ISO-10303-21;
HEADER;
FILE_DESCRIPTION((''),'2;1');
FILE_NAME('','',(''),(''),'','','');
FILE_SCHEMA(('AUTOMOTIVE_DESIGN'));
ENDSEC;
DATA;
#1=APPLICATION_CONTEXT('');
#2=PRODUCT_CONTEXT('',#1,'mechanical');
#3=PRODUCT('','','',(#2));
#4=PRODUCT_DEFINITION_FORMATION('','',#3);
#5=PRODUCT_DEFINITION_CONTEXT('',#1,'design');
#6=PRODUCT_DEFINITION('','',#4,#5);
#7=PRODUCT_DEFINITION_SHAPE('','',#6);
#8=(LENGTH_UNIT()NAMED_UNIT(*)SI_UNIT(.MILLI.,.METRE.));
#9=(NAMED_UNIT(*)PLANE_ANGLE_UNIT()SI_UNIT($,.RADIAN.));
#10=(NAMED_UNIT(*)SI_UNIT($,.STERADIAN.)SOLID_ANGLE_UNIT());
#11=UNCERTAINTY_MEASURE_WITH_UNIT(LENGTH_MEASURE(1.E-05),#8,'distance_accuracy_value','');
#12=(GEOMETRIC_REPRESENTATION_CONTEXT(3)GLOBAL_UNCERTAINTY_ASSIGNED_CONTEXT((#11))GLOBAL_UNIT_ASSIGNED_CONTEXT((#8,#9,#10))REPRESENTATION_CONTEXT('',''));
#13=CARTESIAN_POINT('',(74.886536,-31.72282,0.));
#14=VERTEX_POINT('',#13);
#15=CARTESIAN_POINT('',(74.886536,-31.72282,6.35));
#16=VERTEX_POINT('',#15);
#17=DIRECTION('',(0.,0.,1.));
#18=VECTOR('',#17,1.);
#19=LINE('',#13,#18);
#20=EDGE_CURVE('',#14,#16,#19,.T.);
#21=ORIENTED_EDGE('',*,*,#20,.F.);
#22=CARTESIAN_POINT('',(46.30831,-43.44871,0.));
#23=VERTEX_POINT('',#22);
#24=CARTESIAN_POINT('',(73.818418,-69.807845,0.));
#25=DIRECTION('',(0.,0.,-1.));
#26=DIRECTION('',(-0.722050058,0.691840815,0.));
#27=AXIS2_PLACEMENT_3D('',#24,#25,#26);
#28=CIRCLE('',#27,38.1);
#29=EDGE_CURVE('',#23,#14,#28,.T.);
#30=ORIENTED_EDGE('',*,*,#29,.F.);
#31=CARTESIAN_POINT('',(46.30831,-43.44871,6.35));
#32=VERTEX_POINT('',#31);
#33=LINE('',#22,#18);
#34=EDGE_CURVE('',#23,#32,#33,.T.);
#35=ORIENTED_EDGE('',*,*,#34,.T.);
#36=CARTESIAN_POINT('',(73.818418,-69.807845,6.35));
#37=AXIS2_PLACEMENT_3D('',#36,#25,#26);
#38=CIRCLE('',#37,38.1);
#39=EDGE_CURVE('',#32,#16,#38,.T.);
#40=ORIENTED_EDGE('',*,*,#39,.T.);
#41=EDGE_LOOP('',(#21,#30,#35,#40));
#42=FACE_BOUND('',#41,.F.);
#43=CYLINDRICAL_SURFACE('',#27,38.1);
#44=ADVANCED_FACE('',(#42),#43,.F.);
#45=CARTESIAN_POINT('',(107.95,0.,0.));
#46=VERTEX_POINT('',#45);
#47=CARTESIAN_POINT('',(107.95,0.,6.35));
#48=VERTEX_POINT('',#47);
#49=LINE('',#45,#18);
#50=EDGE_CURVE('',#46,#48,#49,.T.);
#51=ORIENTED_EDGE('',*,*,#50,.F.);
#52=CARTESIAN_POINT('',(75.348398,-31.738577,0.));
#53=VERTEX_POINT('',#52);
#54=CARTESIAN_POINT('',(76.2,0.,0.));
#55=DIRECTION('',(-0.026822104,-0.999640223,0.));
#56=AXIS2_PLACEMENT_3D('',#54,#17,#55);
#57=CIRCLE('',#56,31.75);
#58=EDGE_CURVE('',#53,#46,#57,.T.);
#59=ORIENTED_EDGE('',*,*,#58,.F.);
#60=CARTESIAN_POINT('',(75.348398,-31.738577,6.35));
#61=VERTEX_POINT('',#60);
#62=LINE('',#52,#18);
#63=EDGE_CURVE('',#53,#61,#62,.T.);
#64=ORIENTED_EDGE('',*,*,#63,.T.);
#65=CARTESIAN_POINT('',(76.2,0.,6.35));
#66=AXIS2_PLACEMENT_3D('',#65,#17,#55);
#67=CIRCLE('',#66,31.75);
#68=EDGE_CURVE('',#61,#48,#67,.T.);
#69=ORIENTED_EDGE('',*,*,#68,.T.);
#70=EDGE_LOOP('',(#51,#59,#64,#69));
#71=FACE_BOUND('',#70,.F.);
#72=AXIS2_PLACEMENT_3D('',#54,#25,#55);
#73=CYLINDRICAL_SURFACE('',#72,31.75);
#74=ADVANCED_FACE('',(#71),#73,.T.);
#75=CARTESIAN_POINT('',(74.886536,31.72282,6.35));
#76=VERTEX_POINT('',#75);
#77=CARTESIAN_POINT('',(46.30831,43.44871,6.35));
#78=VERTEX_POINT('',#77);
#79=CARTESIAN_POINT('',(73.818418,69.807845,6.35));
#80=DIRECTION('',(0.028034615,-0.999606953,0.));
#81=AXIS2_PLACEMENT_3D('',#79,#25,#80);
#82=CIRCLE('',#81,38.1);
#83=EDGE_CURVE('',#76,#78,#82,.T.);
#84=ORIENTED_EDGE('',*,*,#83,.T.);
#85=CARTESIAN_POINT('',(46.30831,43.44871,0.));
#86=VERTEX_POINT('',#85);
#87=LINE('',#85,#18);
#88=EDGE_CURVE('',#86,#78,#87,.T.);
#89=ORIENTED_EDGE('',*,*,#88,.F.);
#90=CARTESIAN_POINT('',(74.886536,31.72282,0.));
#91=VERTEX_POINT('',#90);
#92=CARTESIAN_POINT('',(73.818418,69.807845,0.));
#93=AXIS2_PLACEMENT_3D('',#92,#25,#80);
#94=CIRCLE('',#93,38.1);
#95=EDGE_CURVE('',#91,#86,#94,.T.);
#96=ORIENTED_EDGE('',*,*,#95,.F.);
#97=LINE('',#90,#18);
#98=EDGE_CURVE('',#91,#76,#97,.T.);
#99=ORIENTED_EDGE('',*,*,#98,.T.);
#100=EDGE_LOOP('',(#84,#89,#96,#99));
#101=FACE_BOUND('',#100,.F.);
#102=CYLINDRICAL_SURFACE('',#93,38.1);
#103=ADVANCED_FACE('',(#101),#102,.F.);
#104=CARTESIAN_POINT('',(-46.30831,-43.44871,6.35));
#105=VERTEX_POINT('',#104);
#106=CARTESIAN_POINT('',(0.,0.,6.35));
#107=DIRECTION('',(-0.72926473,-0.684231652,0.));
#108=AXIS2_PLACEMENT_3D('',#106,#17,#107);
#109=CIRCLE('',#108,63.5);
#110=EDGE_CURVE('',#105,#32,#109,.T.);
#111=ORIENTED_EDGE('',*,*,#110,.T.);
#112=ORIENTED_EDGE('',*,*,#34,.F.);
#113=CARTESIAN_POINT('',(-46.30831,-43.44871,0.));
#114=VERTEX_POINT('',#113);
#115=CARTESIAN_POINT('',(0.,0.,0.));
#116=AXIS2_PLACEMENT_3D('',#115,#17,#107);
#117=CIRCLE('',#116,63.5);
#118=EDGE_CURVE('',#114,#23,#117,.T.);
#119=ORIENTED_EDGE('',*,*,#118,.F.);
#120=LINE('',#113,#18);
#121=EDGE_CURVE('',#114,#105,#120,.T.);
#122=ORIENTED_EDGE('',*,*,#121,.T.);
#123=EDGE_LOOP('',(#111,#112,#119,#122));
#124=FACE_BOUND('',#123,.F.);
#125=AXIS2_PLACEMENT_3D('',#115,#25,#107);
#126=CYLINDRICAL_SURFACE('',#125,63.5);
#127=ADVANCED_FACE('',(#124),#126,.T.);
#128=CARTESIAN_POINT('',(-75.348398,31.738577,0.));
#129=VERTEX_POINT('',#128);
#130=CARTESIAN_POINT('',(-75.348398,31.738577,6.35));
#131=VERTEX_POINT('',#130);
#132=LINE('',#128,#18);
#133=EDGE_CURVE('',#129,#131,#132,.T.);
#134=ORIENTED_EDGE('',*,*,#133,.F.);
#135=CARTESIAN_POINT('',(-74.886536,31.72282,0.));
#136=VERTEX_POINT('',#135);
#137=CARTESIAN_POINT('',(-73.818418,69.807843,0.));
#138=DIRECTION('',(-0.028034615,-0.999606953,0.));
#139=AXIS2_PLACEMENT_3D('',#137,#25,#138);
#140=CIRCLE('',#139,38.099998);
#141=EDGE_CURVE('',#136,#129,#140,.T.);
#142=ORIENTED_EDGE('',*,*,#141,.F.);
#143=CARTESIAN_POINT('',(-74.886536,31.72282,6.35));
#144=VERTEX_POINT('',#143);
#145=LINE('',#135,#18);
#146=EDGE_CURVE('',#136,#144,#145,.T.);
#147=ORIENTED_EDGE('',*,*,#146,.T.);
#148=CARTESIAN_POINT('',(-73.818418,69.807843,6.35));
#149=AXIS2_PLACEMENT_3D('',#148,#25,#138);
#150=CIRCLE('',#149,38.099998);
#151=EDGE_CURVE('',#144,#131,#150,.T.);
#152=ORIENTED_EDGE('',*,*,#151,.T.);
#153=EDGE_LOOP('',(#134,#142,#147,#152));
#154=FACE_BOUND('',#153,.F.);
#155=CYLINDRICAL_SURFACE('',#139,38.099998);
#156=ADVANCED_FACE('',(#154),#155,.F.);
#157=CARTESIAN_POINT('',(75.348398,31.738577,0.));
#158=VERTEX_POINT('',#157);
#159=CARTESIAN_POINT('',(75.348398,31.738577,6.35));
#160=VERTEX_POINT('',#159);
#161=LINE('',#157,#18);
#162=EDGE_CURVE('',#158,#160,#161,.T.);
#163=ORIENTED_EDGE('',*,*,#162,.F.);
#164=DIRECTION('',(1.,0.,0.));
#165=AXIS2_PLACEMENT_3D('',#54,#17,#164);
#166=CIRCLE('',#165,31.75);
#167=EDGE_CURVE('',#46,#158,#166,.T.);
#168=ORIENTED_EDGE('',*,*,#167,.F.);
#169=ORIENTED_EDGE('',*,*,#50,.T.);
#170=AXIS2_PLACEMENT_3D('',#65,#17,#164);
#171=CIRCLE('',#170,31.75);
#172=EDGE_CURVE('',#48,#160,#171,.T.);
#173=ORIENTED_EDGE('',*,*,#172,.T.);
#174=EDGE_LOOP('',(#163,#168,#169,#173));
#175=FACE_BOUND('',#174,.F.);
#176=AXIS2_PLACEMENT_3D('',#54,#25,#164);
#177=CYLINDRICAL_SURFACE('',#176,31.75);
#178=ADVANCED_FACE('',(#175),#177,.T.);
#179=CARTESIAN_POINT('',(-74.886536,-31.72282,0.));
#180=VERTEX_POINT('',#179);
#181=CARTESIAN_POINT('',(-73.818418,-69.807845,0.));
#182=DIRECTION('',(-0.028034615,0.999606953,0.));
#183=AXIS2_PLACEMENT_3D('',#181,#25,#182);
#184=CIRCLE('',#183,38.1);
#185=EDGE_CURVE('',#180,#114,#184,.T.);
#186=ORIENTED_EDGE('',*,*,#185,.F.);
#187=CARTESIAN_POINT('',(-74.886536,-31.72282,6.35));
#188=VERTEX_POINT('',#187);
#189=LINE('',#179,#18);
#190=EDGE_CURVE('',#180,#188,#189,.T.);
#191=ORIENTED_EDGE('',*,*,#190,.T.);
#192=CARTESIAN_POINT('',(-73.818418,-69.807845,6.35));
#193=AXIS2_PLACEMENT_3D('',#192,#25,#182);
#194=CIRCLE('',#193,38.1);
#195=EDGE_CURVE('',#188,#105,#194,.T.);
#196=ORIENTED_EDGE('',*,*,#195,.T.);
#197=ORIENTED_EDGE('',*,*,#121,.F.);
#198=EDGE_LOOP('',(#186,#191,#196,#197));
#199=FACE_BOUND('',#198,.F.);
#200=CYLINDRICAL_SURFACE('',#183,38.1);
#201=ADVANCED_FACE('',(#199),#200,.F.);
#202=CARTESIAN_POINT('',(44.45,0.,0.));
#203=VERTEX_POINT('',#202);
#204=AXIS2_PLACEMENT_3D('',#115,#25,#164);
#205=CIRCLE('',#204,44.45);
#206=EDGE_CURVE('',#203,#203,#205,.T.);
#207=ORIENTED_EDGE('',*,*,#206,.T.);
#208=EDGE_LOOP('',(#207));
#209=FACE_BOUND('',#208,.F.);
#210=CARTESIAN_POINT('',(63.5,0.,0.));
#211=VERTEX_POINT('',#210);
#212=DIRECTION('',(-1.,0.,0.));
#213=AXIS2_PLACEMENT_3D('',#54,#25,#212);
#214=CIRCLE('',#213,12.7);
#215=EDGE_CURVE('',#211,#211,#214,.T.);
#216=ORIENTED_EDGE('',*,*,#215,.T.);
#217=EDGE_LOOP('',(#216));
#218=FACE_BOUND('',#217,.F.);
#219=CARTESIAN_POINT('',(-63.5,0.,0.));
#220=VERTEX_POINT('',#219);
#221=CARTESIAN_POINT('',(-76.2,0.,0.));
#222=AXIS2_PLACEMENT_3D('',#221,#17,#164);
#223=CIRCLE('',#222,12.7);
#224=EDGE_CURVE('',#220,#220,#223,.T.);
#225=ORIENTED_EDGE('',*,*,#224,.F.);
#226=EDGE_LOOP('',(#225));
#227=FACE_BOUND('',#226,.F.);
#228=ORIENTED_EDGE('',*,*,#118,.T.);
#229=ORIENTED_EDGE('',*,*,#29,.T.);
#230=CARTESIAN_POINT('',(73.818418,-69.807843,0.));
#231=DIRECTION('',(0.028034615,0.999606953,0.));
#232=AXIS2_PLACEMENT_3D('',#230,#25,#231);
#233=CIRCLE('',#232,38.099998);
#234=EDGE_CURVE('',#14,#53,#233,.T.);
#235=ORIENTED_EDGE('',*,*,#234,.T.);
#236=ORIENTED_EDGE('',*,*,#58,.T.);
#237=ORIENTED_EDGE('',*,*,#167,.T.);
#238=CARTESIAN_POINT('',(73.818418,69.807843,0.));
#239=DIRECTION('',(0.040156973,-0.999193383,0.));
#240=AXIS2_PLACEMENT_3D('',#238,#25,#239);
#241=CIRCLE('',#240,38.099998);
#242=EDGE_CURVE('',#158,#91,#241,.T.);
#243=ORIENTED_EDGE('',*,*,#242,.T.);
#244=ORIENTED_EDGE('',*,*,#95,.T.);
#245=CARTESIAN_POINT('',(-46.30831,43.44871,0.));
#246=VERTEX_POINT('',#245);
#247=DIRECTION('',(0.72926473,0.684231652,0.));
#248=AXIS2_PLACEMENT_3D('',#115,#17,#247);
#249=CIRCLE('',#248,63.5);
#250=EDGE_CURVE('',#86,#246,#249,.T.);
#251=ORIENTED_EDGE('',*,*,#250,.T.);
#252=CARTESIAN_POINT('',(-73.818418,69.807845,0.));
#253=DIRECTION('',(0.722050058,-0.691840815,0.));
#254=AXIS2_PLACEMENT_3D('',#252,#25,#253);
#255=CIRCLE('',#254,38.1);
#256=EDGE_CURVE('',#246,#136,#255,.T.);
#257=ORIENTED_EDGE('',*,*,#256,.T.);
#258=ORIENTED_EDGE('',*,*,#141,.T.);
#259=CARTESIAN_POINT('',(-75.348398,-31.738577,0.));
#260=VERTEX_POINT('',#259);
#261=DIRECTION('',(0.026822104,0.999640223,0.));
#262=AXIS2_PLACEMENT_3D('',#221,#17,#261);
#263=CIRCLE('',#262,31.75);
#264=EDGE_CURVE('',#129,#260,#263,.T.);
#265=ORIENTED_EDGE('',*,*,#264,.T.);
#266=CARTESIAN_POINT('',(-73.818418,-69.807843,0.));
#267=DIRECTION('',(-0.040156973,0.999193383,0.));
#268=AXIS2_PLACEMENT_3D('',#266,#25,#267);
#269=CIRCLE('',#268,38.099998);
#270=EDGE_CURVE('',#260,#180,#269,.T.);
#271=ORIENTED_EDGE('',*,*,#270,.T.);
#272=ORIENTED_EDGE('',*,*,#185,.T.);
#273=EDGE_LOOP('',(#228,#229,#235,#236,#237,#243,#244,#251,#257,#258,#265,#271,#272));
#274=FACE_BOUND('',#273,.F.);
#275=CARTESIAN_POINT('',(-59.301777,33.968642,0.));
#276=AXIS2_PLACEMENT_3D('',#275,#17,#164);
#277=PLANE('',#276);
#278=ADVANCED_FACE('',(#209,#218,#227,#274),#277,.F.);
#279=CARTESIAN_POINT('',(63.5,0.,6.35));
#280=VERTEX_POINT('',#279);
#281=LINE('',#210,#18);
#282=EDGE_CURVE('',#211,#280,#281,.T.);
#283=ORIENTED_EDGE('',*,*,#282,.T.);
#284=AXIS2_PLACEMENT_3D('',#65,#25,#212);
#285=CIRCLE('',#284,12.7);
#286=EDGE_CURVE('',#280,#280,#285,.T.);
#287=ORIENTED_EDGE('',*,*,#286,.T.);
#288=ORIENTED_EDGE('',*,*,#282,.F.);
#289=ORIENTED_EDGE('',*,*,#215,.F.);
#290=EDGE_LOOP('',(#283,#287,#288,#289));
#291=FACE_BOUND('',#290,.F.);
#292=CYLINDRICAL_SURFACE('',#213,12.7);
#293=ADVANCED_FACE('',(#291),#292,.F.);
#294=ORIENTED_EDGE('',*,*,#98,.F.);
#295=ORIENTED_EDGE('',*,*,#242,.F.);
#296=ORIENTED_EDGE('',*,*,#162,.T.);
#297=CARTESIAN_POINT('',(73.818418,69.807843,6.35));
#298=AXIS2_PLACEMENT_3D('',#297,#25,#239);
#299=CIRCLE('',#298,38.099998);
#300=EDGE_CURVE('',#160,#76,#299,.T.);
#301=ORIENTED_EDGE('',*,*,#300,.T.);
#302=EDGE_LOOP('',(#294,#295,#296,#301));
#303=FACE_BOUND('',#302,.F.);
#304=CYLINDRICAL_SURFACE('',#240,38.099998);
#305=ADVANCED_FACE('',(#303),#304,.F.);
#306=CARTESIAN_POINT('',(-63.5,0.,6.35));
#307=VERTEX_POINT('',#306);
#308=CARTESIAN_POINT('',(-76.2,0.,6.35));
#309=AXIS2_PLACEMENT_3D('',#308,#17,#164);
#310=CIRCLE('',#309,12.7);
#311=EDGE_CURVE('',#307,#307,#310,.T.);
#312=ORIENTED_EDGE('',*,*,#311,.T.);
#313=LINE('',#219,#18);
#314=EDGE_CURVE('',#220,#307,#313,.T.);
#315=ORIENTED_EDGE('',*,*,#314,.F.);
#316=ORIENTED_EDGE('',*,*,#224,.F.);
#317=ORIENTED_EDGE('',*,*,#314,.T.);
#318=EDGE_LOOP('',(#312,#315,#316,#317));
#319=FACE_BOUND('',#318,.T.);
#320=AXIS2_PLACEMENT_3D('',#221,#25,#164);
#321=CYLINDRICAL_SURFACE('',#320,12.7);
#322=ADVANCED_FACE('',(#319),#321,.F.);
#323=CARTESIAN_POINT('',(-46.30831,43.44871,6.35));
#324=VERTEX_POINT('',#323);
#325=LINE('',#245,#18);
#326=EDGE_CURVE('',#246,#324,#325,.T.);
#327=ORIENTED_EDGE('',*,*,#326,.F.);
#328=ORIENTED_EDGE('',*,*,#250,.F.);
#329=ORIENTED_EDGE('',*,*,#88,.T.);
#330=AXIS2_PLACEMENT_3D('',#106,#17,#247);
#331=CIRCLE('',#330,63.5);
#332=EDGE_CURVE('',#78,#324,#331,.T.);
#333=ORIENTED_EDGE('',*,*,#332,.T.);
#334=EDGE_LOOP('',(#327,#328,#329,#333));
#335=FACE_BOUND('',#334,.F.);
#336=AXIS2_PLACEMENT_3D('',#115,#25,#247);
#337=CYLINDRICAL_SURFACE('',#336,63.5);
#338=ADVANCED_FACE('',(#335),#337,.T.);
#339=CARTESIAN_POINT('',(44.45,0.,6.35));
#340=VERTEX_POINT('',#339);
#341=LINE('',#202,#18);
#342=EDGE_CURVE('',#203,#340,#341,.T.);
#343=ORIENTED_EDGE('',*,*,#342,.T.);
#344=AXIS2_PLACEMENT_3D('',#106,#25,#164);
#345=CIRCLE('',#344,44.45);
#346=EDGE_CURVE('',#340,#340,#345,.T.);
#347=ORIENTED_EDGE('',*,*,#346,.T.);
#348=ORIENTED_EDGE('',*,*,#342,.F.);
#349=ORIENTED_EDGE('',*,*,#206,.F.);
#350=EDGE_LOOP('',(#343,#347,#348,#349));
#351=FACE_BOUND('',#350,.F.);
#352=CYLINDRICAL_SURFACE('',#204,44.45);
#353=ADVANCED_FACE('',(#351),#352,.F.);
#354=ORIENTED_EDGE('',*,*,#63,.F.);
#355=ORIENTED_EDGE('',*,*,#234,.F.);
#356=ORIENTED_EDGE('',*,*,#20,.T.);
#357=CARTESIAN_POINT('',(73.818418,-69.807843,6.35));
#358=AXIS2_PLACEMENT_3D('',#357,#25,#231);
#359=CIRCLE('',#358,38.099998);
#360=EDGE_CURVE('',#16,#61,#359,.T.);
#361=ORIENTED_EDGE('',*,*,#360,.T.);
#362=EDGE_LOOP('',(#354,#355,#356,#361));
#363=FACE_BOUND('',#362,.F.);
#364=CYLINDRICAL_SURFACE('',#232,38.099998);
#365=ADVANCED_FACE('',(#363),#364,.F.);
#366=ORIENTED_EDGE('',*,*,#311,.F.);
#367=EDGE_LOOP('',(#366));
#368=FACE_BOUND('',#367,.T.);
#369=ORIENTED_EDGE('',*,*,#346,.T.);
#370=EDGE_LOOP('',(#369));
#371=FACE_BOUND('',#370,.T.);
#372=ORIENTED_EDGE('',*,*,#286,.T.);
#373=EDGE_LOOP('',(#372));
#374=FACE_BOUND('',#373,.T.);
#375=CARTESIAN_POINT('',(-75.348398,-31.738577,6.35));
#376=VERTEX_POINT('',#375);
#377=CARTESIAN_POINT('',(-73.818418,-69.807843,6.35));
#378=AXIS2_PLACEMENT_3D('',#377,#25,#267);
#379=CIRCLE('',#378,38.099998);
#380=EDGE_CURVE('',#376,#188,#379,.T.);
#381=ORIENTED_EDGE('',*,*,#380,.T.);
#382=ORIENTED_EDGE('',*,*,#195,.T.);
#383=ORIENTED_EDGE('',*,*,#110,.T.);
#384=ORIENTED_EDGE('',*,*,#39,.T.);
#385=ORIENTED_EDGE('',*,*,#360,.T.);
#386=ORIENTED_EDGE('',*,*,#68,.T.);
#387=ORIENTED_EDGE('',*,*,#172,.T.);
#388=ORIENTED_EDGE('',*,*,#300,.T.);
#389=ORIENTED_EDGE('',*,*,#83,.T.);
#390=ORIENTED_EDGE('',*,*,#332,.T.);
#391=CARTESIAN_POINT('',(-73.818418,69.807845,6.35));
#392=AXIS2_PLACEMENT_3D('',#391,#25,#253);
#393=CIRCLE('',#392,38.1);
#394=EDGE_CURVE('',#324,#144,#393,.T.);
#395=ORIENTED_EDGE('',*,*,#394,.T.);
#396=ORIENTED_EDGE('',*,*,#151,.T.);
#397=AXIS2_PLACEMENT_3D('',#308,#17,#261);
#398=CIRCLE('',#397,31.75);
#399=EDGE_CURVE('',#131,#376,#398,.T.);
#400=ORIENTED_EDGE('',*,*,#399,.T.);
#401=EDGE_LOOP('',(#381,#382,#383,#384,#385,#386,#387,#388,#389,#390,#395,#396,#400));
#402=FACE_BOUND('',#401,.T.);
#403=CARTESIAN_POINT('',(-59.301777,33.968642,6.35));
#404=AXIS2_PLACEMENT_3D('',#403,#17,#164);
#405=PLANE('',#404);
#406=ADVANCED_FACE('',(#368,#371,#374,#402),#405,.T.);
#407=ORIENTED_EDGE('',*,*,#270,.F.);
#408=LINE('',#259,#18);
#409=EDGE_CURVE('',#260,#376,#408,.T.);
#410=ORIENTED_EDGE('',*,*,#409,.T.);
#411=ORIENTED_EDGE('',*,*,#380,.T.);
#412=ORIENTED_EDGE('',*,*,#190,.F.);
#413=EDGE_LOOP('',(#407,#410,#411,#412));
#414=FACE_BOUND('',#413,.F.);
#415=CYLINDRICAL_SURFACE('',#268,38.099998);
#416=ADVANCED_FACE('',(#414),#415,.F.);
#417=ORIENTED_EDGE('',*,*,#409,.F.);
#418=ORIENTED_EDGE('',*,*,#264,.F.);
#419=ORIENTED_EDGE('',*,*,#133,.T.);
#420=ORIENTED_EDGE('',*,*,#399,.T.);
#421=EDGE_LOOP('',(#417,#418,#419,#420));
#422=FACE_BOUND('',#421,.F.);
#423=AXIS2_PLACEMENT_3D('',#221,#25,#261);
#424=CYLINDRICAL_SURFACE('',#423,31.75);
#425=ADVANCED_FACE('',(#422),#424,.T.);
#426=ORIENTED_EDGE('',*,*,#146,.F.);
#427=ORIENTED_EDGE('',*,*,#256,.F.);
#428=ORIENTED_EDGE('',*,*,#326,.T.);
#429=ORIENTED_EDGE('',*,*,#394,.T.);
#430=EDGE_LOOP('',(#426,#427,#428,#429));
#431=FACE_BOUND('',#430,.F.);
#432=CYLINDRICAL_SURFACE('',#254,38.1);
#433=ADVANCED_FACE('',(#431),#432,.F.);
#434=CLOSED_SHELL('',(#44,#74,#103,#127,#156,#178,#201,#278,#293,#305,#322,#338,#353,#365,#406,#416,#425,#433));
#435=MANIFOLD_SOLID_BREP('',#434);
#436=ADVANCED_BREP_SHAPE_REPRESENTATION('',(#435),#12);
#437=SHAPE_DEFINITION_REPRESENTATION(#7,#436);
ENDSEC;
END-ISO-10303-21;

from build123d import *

# Parameters (mm, degrees)
F0_R     = 12.7
F1_DEPTH = 6.35


with BuildPart() as f1:
    # F0 (on Top) → F1 (new body)
    with BuildSketch(Plane.XY):
        with BuildLine():
            ThreePointArc((-57.94375, 25.976370723), (-52.8530385151, 35.1966805213), (-46.3083103346, 43.4487099228))
            ThreePointArc((-46.3083103346, 43.4487099228), (-59.3557480022, 34.5595657373), (-74.8865363941, 31.7228200726))
            ThreePointArc((-74.8865363941, 31.7228200726), (-66.002017715, 30.0676513435), (-57.94375, 25.976370723))
        make_face()
        with BuildLine():
            ThreePointArc((-44.45, 0), (-48.024670033, 14.636026826), (-57.94375, 25.976370723))
            ThreePointArc((-57.94375, 25.976370723), (-62.0954029096, 13.2819779212), (-63.5, 0))
            ThreePointArc((-63.5, 0), (-62.0954029096, -13.2819779212), (-57.94375, -25.976370723))
            ThreePointArc((-57.94375, -25.976370723), (-48.024670033, -14.636026826), (-44.45, 0))
        make_face()
        with BuildLine():
            ThreePointArc((-63.5, 0), (-62.0954029096, 13.2819779212), (-57.94375, 25.976370723))
            ThreePointArc((-57.94375, 25.976370723), (-66.002017715, 30.0676513435), (-74.8865363941, 31.7228200726))
            ThreePointArc((-74.8865363941, 31.7228200726), (-75.1174911921, 31.7299983006), (-75.3483982089, 31.7385770694))
            ThreePointArc((-75.3483982089, 31.7385770694), (-107.95, 0), (-75.3483982089, -31.7385770694))
            ThreePointArc((-75.3483982089, -31.7385770694), (-75.1174911921, -31.7299983006), (-74.8865363941, -31.7228200726))
            ThreePointArc((-74.8865363941, -31.7228200726), (-66.002017715, -30.0676513435), (-57.94375, -25.976370723))
            ThreePointArc((-57.94375, -25.976370723), (-62.0954029096, -13.2819779212), (-63.5, 0))
        make_face()
        with Locations((-76.2, 0)):
            Circle(F0_R, mode=Mode.SUBTRACT)
        with BuildLine():
            ThreePointArc((57.94375, -25.976370723), (48.024670033, -14.636026826), (44.45, 0))
            ThreePointArc((44.45, 0), (0, -44.45), (-44.45, 0))
            ThreePointArc((-44.45, 0), (-48.024670033, -14.636026826), (-57.94375, -25.976370723))
            ThreePointArc((-57.94375, -25.976370723), (-52.8530385151, -35.1966805213), (-46.3083103346, -43.4487099228))
            ThreePointArc((-46.3083103346, -43.4487099228), (0, -63.5), (46.3083103346, -43.4487099228))
            ThreePointArc((46.3083103346, -43.4487099228), (52.8530385151, -35.1966805213), (57.94375, -25.976370723))
        make_face()
        with BuildLine():
            ThreePointArc((-46.3083103346, -43.4487099228), (-52.8530385151, -35.1966805213), (-57.94375, -25.976370723))
            ThreePointArc((-57.94375, -25.976370723), (-66.002017715, -30.0676513435), (-74.8865363941, -31.7228200726))
            ThreePointArc((-74.8865363941, -31.7228200726), (-59.3557480022, -34.5595657373), (-46.3083103346, -43.4487099228))
        make_face()
        with BuildLine():
            ThreePointArc((57.94375, 25.976370723), (52.8530385151, 35.1966805213), (46.3083103346, 43.4487099228))
            ThreePointArc((46.3083103346, 43.4487099228), (0, 63.5), (-46.3083103346, 43.4487099228))
            ThreePointArc((-46.3083103346, 43.4487099228), (-52.8530385151, 35.1966805213), (-57.94375, 25.976370723))
            ThreePointArc((-57.94375, 25.976370723), (-48.024670033, 14.636026826), (-44.45, 0))
            ThreePointArc((-44.45, 0), (0, 44.45), (44.45, 0))
            ThreePointArc((44.45, 0), (48.024670033, 14.636026826), (57.94375, 25.976370723))
        make_face()
        with BuildLine():
            ThreePointArc((63.5, 0), (62.0954029096, 13.2819779212), (57.94375, 25.976370723))
            ThreePointArc((57.94375, 25.976370723), (48.024670033, 14.636026826), (44.45, 0))
            ThreePointArc((44.45, 0), (48.024670033, -14.636026826), (57.94375, -25.976370723))
            ThreePointArc((57.94375, -25.976370723), (62.0954029096, -13.2819779212), (63.5, 0))
        make_face()
        with BuildLine():
            ThreePointArc((74.8865363941, 31.7228200726), (66.002017715, 30.0676513435), (57.94375, 25.976370723))
            ThreePointArc((57.94375, 25.976370723), (62.0954029096, 13.2819779212), (63.5, 0))
            ThreePointArc((63.5, 0), (62.0954029096, -13.2819779212), (57.94375, -25.976370723))
            ThreePointArc((57.94375, -25.976370723), (66.002017715, -30.0676513435), (74.8865363941, -31.7228200726))
            ThreePointArc((74.8865363941, -31.7228200726), (75.1174911921, -31.7299983006), (75.3483982089, -31.7385770694))
            ThreePointArc((75.3483982089, -31.7385770694), (98.3475071186, -22.7497346893), (107.95, 0))
            ThreePointArc((107.95, 0), (98.3475071186, 22.7497346893), (75.3483982089, 31.7385770694))
            ThreePointArc((75.3483982089, 31.7385770694), (75.1174911921, 31.7299983006), (74.8865363941, 31.7228200726))
        make_face()
        with BuildLine():
            ThreePointArc((88.9, 0), (76.2, -12.7), (63.5, 0))
            ThreePointArc((63.5, 0), (76.2, 12.7), (88.9, 0))
        make_face(mode=Mode.SUBTRACT)
        with BuildLine():
            ThreePointArc((74.8865363941, 31.7228200726), (59.3557480022, 34.5595657373), (46.3083103346, 43.4487099228))
            ThreePointArc((46.3083103346, 43.4487099228), (52.8530385151, 35.1966805213), (57.94375, 25.976370723))
            ThreePointArc((57.94375, 25.976370723), (66.002017715, 30.0676513435), (74.8865363941, 31.7228200726))
        make_face()
        with BuildLine():
            ThreePointArc((74.8865363941, -31.7228200726), (66.002017715, -30.0676513435), (57.94375, -25.976370723))
            ThreePointArc((57.94375, -25.976370723), (52.8530385151, -35.1966805213), (46.3083103346, -43.4487099228))
            ThreePointArc((46.3083103346, -43.4487099228), (59.3557480022, -34.5595657373), (74.8865363941, -31.7228200726))
        make_face()
    extrude(amount=F1_DEPTH)


solid = f1.part
